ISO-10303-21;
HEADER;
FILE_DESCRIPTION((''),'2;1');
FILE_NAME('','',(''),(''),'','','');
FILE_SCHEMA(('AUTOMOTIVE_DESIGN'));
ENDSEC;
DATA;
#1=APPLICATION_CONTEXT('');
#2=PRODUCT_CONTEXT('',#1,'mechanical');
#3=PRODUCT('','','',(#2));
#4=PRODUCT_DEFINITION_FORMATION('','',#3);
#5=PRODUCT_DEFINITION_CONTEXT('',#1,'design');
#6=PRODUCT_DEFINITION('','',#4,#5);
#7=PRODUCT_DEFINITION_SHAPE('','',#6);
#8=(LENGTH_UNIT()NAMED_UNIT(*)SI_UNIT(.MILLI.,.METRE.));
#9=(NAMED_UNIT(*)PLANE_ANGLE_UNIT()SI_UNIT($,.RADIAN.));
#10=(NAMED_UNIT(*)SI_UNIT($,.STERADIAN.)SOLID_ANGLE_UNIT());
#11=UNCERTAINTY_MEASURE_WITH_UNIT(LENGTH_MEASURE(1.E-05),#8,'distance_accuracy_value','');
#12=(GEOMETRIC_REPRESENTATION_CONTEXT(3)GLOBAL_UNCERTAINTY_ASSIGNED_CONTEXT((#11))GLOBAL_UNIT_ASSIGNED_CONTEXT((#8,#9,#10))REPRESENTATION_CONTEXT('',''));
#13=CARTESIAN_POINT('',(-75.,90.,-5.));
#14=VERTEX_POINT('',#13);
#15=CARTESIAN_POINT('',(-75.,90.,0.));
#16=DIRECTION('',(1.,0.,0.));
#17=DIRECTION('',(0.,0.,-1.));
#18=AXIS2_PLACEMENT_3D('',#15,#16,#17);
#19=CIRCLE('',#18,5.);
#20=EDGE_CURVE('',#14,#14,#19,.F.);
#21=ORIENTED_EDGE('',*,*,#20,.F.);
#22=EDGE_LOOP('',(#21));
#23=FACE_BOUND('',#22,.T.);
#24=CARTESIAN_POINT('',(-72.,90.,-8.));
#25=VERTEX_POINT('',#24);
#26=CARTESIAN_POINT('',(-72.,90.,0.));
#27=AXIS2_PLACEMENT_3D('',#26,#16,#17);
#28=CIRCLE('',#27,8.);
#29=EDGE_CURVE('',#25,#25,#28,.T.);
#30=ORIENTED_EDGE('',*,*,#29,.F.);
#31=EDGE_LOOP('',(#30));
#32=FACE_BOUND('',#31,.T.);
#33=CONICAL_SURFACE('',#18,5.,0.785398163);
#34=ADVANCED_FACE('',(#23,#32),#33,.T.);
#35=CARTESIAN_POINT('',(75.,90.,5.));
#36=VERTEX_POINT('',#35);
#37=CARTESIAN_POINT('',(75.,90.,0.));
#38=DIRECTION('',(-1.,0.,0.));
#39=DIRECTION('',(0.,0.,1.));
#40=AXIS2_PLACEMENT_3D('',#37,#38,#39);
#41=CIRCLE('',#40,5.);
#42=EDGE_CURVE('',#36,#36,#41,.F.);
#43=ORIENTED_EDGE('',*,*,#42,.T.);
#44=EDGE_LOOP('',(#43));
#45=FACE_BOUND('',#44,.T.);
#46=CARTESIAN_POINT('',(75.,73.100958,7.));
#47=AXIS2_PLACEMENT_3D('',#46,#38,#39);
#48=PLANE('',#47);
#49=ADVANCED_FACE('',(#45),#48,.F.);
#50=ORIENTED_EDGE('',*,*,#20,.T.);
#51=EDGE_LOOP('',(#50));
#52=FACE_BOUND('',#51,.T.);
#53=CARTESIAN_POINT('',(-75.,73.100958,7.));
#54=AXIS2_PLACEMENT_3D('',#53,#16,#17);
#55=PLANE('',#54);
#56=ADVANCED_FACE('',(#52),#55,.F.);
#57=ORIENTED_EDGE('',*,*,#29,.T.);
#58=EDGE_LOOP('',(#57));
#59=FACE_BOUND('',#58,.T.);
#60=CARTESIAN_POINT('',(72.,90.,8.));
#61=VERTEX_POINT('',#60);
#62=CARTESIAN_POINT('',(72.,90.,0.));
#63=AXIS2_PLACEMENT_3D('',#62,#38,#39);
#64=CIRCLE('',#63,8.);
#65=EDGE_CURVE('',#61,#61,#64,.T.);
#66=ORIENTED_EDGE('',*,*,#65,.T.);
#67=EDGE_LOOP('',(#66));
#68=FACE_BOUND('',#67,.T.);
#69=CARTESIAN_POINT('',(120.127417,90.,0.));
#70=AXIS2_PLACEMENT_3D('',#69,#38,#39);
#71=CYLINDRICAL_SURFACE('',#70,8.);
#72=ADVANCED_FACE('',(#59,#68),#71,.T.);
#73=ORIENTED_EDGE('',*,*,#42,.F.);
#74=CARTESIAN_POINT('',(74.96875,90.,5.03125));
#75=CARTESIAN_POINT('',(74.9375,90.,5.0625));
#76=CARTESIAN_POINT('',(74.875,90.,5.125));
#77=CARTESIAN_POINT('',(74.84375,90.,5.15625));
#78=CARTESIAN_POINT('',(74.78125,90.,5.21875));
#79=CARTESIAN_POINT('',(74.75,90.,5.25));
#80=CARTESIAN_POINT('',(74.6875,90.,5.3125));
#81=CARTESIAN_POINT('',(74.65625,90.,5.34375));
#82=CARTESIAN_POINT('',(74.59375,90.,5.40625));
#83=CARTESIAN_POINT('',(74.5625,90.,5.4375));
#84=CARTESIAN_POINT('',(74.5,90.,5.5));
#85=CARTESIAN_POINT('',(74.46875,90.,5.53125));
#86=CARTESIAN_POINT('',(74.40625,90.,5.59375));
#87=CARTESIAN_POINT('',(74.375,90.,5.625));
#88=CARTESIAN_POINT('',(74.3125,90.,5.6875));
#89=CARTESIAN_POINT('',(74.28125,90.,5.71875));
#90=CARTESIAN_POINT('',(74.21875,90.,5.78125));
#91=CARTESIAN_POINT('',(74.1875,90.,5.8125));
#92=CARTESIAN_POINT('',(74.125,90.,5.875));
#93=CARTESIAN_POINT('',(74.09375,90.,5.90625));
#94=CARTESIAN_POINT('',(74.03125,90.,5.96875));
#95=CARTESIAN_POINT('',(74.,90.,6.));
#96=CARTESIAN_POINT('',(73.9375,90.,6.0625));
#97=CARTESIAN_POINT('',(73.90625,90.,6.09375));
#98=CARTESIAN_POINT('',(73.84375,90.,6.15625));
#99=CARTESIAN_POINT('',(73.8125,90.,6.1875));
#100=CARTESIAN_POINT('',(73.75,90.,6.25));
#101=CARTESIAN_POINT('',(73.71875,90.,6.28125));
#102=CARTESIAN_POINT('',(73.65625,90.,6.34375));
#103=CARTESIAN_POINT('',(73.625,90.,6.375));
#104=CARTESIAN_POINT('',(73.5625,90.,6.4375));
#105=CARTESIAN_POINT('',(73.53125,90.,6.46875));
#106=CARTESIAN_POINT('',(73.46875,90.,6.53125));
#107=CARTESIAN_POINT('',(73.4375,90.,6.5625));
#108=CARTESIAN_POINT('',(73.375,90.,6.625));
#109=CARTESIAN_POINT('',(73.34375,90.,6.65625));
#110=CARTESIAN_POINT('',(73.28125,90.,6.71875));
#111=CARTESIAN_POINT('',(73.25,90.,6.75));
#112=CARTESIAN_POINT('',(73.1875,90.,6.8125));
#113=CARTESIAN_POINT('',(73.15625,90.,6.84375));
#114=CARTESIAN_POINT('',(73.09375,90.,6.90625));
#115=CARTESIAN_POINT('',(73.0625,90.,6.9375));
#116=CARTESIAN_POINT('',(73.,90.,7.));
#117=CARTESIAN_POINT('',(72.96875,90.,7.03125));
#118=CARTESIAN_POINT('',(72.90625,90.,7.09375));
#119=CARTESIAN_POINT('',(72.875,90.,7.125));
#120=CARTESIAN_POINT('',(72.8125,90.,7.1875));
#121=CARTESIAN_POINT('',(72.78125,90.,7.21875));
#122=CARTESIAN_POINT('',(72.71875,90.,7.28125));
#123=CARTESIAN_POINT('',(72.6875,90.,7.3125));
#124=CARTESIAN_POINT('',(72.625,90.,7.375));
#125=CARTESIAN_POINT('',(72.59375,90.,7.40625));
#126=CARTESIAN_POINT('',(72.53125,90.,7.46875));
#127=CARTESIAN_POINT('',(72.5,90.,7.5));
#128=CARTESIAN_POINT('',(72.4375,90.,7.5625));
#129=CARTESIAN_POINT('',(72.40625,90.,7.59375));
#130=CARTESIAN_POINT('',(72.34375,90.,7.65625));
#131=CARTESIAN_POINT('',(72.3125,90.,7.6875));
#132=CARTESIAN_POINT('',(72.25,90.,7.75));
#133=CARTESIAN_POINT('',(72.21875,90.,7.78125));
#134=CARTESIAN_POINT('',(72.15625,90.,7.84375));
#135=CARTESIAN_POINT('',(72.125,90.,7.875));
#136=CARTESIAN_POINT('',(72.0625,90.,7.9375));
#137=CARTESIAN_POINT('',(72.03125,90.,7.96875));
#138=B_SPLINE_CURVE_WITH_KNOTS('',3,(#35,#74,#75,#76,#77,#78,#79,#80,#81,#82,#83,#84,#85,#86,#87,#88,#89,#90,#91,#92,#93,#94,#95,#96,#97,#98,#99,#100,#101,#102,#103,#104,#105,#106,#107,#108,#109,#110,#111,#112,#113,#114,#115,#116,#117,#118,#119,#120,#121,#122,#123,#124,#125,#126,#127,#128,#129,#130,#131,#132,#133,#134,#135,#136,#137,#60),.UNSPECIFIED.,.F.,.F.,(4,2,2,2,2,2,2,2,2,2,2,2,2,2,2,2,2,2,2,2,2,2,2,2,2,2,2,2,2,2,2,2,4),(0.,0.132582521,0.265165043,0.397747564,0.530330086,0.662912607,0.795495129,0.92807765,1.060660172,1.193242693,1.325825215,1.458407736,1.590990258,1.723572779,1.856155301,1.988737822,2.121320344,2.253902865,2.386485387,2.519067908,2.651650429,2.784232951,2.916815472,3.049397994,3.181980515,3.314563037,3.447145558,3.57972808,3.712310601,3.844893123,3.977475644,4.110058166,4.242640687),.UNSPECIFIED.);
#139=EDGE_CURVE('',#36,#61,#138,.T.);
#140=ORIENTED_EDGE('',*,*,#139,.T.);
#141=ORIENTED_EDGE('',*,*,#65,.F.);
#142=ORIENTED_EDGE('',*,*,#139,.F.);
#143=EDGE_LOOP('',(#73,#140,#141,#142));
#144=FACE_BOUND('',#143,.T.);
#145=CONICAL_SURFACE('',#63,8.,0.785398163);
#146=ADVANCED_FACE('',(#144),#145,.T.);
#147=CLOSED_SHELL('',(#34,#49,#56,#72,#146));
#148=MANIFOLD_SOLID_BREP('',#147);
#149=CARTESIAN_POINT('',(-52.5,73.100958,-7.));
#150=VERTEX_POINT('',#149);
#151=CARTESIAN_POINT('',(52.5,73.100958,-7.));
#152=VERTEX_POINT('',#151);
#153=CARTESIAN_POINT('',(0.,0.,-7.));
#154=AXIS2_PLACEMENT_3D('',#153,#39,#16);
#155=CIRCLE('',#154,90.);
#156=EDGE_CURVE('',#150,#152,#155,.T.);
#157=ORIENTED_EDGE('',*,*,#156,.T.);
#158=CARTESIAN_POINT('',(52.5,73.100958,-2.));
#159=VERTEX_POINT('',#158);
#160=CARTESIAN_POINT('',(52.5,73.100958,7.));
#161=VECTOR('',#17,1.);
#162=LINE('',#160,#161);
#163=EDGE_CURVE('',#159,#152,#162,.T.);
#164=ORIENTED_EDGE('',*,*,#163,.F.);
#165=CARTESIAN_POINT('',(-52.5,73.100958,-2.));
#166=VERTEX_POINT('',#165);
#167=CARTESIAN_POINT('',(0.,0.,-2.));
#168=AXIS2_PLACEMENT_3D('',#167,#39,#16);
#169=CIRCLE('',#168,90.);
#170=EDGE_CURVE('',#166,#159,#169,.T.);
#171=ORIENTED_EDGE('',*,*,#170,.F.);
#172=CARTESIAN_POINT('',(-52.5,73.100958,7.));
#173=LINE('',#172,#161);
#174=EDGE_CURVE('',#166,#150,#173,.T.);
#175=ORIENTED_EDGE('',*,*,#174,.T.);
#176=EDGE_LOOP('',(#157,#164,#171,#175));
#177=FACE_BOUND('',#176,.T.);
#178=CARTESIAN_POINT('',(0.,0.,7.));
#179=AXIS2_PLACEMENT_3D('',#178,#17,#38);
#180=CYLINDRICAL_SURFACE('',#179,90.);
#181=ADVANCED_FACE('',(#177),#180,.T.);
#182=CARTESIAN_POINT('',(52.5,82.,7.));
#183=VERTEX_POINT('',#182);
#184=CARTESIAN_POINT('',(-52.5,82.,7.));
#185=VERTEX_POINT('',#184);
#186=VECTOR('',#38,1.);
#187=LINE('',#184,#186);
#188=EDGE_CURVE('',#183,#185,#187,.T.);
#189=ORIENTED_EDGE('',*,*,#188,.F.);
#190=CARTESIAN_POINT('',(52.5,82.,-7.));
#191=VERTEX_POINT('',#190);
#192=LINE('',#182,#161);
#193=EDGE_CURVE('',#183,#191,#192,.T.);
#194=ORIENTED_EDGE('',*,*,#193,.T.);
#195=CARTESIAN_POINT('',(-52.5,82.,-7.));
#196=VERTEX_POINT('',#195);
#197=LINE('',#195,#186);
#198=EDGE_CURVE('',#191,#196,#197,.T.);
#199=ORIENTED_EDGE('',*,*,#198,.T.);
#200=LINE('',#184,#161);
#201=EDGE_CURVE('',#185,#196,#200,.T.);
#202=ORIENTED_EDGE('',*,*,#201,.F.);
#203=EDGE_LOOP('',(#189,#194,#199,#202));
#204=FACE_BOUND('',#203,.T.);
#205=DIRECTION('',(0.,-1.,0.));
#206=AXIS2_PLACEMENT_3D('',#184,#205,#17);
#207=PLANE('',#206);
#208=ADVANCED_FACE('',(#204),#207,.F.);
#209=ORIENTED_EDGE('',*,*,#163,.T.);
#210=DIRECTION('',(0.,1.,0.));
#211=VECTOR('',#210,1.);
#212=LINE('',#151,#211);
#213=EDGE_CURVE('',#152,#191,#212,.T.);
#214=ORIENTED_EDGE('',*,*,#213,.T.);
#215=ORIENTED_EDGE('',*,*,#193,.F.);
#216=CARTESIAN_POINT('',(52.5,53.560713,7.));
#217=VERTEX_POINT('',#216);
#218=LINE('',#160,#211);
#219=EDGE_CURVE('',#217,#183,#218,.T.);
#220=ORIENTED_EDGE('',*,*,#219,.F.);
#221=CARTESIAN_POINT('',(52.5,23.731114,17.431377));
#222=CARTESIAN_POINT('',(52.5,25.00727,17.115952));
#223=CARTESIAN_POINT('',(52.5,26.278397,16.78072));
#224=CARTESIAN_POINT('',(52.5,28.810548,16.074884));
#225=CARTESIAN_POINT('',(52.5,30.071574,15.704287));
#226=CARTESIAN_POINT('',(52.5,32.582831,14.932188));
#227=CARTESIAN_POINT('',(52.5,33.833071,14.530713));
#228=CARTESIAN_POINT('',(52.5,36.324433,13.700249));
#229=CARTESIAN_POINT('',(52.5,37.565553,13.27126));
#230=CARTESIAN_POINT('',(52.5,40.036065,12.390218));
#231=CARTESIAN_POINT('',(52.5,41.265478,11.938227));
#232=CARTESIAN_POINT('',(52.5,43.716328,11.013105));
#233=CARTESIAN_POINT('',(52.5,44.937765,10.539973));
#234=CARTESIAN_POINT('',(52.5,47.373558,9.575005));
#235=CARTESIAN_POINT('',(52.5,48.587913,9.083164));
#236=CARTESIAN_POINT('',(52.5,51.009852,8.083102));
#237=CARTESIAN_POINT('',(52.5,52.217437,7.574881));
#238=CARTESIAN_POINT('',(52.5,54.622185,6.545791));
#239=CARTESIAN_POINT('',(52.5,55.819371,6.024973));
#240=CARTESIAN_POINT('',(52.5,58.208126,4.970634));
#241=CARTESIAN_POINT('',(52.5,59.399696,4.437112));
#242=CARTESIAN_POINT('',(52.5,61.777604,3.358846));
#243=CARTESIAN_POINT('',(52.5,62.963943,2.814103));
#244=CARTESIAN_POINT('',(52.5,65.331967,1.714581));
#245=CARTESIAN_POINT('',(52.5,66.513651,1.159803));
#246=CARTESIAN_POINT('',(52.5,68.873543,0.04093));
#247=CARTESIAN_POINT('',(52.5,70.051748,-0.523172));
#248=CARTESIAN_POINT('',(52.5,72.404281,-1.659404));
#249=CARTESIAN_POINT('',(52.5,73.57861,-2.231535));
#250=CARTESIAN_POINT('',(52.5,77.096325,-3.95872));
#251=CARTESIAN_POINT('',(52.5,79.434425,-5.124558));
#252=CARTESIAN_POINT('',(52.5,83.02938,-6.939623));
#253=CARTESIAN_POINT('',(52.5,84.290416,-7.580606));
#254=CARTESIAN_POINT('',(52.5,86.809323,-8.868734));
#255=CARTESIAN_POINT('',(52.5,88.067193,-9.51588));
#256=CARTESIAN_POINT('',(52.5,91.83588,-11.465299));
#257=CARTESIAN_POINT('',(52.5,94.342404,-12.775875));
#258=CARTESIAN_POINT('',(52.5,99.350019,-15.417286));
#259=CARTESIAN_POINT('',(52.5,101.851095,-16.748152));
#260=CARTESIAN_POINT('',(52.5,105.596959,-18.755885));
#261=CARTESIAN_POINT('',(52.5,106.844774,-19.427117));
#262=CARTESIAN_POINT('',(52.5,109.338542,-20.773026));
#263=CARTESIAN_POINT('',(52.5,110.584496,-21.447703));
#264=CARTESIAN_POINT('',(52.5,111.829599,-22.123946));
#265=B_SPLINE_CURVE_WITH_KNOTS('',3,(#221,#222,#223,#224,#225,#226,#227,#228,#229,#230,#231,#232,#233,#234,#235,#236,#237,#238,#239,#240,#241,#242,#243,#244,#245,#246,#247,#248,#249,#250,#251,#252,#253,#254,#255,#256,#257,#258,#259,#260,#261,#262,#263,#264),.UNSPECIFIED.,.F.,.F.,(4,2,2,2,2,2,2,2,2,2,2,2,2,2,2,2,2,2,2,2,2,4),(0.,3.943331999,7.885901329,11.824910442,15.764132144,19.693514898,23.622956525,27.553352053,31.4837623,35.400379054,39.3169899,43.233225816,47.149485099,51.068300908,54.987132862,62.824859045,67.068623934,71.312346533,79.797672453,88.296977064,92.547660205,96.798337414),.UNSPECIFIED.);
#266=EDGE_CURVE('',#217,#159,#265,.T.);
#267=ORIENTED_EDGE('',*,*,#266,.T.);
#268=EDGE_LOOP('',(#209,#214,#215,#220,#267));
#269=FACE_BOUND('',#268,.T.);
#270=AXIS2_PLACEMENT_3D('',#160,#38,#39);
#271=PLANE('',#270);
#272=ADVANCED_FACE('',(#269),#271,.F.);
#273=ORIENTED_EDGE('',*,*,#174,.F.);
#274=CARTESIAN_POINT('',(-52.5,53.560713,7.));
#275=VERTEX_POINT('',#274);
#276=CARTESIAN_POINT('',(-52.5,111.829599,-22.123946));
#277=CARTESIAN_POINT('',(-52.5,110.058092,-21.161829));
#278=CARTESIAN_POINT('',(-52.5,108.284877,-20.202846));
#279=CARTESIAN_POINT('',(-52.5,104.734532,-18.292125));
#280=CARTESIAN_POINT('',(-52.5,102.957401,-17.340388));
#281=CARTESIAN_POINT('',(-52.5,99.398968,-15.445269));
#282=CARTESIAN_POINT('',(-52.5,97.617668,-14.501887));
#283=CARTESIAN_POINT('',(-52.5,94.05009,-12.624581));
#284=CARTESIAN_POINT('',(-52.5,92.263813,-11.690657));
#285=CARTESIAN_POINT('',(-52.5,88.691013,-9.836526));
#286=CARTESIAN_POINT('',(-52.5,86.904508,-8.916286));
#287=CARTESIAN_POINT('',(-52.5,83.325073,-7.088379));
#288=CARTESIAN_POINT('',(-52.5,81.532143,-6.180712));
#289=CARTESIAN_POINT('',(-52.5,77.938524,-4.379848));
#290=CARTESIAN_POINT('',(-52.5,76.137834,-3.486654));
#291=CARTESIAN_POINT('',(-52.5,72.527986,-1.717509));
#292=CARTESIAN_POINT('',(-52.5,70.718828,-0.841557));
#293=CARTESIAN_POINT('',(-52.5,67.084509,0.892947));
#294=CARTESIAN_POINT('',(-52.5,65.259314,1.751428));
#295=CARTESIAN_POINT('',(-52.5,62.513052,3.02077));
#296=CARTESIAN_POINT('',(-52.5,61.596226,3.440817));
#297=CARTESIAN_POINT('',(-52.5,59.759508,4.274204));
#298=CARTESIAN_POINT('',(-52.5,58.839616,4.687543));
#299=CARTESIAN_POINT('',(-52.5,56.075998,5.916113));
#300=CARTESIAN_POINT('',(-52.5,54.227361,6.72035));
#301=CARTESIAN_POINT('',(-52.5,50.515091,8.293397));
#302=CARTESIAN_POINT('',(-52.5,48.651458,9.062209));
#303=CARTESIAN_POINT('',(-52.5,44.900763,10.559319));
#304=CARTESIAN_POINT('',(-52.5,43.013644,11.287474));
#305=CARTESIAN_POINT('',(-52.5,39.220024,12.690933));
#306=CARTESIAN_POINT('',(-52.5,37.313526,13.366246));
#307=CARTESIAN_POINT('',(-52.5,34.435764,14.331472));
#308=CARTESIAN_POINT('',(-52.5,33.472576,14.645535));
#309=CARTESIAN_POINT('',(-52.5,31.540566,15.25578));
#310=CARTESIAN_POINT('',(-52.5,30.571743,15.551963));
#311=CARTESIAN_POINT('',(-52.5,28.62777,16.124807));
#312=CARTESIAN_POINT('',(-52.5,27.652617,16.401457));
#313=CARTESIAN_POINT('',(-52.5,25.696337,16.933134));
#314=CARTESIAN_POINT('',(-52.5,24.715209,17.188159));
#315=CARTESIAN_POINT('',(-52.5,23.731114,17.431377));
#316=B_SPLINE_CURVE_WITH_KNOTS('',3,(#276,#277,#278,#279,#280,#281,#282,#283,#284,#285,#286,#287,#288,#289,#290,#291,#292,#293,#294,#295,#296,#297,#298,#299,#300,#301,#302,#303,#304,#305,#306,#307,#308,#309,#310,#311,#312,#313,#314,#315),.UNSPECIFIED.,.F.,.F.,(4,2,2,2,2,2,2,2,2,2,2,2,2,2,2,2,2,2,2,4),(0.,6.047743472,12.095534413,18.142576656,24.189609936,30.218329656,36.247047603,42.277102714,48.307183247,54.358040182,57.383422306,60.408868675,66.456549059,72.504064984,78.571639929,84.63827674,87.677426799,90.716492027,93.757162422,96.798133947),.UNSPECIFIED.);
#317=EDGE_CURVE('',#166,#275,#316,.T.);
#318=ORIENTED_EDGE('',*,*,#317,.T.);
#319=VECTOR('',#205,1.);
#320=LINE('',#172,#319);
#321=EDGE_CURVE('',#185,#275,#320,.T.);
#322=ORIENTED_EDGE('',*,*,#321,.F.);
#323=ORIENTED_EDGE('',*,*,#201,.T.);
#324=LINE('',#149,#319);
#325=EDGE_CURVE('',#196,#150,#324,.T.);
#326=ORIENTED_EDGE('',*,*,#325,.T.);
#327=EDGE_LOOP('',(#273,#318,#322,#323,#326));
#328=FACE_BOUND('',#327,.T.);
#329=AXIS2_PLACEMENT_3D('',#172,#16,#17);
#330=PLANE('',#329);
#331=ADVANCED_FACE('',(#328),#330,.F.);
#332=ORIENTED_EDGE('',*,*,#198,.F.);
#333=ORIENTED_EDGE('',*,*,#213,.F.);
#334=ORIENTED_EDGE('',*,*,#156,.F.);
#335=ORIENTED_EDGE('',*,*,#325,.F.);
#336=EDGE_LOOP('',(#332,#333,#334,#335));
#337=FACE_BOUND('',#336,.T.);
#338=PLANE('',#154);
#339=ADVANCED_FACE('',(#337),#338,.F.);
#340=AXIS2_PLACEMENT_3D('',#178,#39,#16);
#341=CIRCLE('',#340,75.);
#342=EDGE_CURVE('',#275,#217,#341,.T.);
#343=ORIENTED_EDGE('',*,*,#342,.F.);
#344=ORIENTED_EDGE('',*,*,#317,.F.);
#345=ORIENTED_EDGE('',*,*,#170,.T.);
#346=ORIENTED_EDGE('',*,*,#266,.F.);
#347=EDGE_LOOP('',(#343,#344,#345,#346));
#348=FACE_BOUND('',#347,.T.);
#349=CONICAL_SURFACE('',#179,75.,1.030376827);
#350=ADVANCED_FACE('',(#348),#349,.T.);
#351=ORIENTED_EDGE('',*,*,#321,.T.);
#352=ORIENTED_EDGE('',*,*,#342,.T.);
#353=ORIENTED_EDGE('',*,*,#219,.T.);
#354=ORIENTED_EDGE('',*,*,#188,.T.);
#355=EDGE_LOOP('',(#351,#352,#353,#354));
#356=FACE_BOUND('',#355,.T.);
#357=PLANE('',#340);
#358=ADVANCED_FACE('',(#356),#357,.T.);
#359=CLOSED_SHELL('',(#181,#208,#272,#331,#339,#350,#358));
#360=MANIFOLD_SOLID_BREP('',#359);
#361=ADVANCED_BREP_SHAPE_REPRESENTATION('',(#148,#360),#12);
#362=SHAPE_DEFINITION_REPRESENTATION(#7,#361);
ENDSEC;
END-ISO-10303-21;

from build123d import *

# Parameters (mm, degrees)
BOSS_EXTRUDE1_DEPTH      = 7
BOSS_EXTRUDE2_DEPTH      = 75
BOSS_EXTRUDE2_DEPTH_BACK = 75
SKETCH6_R                = 8
CHAMFER1_SIZE            = 3
SKETCH11_W               = 105
SKETCH11_H               = 28.439286786
BOSS_EXTRUDE3_DEPTH      = 14


with BuildPart() as part:
    # Sketch1 → Boss-Extrude1 (new, symmetric)
    with BuildSketch(Plane.XY):
        with BuildLine():
            Line((-52.5, 73.100957586), (-52.5, 82))
            Line((-52.5, 82), (52.5, 82))
            Line((52.5, 82), (52.5, 73.100957586))
            ThreePointArc((52.5, 73.100957586), (0, -90), (-52.5, 73.100957586))
        make_face()
    extrude(amount=BOSS_EXTRUDE1_DEPTH, both=True)

    # Sketch7 → Cut-Revolve2 (revolve, cut)
    with BuildSketch(Plane(origin=(0, 0, 0), x_dir=(1, 0, 0), z_dir=(0, 1, 0)), mode=Mode.PRIVATE) as cut_revolve2_sk:
        Polygon((-90, -7), (-90, 2), (-75, -7), align=None)
    revolve(cut_revolve2_sk.sketch.rotate(Axis((0, 0, 0), (0, 0, -1)), 54.314665287), axis=Axis((0, 0, 0), (0, 0, -1)), mode=Mode.SUBTRACT)

    # Sketch11 → Boss-Extrude3 (add)
    with BuildSketch(Plane.XY.offset(7)):
        with Locations((0, 67.780356607)):
            Rectangle(SKETCH11_W, SKETCH11_H)
    extrude(amount=-BOSS_EXTRUDE3_DEPTH)


with BuildPart() as body_2:
    # Sketch6 → Boss-Extrude2 (new, two sides: drawn at the far end of the back side and taken through both)
    with BuildSketch(Plane(origin=(0, 0, 0), x_dir=(0, 0, -1), z_dir=(1, 0, 0)).offset(-BOSS_EXTRUDE2_DEPTH_BACK)):
        with Locations(Location((0, 90, 0), (0, 0, 180))):
            Circle(SKETCH6_R)
    extrude(amount=BOSS_EXTRUDE2_DEPTH + BOSS_EXTRUDE2_DEPTH_BACK)

    # Chamfer1
    chamfer1_edges = [body_2.edges().sort_by_distance(p)[0] for p in [
        (75, 90, -8),
        (-75, 90, -8),
    ]]
    chamfer(chamfer1_edges, length=CHAMFER1_SIZE)


solid = Compound([part.part, body_2.part])
